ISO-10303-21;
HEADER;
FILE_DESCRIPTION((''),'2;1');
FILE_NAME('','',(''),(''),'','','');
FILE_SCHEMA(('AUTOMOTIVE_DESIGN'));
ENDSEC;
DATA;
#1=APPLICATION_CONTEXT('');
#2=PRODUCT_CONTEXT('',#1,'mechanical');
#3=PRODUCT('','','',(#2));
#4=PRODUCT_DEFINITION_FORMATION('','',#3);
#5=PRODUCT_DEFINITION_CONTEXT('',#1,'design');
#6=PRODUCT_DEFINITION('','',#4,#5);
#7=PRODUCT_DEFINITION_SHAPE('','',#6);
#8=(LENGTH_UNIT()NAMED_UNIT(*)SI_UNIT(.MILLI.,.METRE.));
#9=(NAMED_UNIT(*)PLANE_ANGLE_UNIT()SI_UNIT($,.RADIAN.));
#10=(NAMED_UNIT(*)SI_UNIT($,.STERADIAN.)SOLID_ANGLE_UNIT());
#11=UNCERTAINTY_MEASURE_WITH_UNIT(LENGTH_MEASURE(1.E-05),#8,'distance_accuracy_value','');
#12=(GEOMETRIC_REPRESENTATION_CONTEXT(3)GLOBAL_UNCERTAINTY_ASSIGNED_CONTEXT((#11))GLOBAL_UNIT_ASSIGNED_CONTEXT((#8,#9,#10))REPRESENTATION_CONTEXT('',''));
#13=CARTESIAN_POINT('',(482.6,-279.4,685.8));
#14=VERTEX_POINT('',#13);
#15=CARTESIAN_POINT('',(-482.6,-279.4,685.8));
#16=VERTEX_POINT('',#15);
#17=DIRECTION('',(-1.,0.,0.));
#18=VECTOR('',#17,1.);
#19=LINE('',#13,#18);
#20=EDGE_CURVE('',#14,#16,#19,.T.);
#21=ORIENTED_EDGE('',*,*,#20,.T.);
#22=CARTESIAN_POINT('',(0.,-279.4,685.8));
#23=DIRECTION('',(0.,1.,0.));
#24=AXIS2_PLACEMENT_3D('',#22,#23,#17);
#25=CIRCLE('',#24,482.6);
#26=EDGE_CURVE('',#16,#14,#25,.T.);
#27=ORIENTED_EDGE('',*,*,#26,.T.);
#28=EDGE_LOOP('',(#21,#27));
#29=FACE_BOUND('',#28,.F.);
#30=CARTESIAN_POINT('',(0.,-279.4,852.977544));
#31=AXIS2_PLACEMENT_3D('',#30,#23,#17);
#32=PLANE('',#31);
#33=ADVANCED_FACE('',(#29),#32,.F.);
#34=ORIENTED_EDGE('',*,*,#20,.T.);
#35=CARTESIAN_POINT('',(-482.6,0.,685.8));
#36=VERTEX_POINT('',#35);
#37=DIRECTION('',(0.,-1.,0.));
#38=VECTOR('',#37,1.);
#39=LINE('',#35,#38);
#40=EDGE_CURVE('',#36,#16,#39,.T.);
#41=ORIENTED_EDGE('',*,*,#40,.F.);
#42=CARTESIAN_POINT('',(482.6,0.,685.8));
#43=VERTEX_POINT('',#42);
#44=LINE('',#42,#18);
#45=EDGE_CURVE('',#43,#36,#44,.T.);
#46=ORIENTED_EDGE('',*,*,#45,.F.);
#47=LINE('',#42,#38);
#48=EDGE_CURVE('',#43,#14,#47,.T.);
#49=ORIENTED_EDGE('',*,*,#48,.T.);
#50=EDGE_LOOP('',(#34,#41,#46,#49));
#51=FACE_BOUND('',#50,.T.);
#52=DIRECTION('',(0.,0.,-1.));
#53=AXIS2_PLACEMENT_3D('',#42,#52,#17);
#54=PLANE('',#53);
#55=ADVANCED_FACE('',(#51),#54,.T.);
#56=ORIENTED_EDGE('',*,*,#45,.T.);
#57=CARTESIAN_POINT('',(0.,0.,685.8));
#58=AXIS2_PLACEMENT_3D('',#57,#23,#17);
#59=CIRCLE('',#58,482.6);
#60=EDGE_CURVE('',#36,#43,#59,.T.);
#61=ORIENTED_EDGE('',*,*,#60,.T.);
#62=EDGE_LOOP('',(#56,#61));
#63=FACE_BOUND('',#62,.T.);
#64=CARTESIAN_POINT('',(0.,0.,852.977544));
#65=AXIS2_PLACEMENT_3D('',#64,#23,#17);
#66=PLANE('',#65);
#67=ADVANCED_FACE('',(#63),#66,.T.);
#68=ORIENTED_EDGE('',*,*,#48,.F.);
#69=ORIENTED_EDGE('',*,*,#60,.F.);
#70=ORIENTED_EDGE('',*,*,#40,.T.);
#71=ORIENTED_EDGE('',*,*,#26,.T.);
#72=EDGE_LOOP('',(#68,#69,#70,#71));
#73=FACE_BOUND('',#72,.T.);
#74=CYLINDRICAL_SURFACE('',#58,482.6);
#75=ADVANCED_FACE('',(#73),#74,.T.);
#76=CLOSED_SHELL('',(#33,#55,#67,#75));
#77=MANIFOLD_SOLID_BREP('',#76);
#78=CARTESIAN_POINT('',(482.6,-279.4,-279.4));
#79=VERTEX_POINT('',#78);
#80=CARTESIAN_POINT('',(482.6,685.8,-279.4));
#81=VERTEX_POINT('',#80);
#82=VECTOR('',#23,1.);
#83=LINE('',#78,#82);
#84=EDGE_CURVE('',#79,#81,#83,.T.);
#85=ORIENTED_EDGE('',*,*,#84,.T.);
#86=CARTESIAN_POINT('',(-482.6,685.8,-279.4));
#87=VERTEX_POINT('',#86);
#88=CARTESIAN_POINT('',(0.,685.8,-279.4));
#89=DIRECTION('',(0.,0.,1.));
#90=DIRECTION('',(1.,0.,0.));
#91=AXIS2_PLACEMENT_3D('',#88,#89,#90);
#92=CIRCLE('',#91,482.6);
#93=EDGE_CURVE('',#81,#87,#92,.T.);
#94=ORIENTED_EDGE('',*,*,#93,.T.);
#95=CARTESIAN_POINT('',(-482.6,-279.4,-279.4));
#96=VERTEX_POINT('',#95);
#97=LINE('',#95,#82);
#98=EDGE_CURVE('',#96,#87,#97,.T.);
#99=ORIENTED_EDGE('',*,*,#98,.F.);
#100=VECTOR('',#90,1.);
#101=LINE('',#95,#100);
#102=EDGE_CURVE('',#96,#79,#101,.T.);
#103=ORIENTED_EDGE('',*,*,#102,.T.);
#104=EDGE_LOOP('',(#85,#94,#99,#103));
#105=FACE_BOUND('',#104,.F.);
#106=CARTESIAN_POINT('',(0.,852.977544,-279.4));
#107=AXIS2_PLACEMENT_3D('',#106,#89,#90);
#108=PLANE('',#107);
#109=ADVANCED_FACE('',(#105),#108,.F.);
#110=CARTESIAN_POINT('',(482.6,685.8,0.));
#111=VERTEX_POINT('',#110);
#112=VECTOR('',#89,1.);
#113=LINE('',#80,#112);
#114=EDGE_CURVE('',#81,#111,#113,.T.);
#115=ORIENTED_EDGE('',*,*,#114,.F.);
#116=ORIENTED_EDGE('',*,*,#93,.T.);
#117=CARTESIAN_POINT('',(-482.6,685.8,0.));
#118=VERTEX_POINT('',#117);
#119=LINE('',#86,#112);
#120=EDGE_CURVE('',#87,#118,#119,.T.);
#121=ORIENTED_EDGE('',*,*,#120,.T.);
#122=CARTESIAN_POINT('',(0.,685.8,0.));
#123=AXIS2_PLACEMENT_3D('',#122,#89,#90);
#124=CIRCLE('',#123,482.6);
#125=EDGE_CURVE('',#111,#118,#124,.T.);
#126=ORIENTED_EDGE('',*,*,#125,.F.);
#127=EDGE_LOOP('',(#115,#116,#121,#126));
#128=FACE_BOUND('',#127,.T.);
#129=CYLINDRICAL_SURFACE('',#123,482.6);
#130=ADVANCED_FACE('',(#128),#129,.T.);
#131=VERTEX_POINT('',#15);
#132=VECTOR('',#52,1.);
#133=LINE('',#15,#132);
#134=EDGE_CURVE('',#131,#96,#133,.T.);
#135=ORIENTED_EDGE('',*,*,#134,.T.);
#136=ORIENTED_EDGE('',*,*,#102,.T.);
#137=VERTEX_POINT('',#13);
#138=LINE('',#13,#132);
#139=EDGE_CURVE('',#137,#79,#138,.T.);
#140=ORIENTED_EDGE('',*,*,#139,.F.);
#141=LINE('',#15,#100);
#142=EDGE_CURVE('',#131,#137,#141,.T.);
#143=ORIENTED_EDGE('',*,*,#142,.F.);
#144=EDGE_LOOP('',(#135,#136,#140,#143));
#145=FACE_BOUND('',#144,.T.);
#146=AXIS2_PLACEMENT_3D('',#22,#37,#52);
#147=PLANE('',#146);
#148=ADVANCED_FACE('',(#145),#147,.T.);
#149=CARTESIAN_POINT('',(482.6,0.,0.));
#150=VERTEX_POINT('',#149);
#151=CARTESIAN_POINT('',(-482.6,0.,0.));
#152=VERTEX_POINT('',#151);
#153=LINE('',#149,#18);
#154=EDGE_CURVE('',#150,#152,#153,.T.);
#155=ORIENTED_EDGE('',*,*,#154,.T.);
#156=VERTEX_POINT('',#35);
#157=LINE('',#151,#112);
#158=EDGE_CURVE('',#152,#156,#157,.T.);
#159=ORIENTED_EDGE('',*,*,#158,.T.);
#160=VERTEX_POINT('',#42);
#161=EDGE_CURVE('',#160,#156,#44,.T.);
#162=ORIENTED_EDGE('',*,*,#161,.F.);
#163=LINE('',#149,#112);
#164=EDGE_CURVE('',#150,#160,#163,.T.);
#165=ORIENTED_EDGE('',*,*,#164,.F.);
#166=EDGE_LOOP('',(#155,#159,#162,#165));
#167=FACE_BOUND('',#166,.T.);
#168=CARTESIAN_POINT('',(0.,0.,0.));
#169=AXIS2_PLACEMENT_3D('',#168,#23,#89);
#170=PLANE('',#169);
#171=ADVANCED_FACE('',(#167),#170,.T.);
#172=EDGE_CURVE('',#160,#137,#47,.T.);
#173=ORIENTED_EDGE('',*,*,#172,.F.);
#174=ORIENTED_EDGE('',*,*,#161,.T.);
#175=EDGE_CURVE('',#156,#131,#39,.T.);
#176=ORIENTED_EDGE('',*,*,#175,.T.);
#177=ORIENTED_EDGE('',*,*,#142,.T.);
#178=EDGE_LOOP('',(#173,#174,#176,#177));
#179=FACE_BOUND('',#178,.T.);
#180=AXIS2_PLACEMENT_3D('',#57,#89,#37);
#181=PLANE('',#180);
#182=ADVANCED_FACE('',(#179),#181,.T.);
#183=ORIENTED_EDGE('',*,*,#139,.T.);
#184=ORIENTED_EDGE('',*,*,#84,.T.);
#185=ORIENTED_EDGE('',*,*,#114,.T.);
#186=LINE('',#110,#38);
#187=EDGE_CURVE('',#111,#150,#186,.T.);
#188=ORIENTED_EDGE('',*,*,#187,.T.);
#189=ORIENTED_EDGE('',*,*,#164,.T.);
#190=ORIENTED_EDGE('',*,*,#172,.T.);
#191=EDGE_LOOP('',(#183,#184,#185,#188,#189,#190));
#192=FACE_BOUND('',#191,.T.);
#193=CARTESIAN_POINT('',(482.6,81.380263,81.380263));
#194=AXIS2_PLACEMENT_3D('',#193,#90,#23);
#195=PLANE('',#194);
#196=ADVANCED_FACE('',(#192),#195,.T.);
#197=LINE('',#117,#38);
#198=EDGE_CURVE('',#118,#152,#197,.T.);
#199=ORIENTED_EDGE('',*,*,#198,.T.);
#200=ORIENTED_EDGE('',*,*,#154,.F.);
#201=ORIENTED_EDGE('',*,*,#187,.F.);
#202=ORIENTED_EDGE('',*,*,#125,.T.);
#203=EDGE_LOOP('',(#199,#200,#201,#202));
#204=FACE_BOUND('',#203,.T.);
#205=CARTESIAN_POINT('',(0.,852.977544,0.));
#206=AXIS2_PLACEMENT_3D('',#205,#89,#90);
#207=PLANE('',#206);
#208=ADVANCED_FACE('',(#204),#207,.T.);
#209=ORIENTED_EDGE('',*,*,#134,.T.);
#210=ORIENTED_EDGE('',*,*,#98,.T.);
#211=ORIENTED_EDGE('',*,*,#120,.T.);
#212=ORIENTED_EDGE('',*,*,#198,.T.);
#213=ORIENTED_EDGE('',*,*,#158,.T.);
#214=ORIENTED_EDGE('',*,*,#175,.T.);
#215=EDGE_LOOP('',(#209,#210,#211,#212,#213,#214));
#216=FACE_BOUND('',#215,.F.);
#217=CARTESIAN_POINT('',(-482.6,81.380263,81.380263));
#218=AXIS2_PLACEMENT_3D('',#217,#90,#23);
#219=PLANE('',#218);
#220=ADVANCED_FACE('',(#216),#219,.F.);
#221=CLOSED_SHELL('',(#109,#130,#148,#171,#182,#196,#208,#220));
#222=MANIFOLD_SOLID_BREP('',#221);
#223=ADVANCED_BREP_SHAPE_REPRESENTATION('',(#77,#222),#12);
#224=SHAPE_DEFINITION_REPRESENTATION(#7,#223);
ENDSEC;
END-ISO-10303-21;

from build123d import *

# Parameters (mm, degrees)
F1_DEPTH = 482.6
F4_DEPTH = 279.4
F5_DEPTH = 279.4


with BuildPart() as f1:
    # F0 (on Right) → F1 (new body, symmetric)
    with BuildSketch(Plane.YZ):
        Polygon((0, 685.8), (-279.4, 685.8), (-279.4, -279.4), (685.8, -279.4), (685.8, 0), (0, 0), align=None)
    extrude(amount=F1_DEPTH, both=True)

    # F3 (on face) → F4 (join)
    with BuildSketch(Plane.XY):
        with BuildLine():
            Line((-482.6, 685.8), (482.6, 685.8))
            ThreePointArc((482.6, 685.8), (0, 1168.4), (-482.6, 685.8))
        make_face()
    extrude(amount=-F4_DEPTH)


with BuildPart() as f5:
    # F2 (on face) → F5 (new body)
    with BuildSketch(Plane(origin=(0, 0, 0), x_dir=(-1, 0, 0), z_dir=(0, 1, 0))):
        with BuildLine():
            Line((-482.6, 685.8), (482.6, 685.8))
            ThreePointArc((482.6, 685.8), (0, 1168.4), (-482.6, 685.8))
        make_face()
    extrude(amount=-F5_DEPTH)


solid = Compound([f1.part, f5.part])
